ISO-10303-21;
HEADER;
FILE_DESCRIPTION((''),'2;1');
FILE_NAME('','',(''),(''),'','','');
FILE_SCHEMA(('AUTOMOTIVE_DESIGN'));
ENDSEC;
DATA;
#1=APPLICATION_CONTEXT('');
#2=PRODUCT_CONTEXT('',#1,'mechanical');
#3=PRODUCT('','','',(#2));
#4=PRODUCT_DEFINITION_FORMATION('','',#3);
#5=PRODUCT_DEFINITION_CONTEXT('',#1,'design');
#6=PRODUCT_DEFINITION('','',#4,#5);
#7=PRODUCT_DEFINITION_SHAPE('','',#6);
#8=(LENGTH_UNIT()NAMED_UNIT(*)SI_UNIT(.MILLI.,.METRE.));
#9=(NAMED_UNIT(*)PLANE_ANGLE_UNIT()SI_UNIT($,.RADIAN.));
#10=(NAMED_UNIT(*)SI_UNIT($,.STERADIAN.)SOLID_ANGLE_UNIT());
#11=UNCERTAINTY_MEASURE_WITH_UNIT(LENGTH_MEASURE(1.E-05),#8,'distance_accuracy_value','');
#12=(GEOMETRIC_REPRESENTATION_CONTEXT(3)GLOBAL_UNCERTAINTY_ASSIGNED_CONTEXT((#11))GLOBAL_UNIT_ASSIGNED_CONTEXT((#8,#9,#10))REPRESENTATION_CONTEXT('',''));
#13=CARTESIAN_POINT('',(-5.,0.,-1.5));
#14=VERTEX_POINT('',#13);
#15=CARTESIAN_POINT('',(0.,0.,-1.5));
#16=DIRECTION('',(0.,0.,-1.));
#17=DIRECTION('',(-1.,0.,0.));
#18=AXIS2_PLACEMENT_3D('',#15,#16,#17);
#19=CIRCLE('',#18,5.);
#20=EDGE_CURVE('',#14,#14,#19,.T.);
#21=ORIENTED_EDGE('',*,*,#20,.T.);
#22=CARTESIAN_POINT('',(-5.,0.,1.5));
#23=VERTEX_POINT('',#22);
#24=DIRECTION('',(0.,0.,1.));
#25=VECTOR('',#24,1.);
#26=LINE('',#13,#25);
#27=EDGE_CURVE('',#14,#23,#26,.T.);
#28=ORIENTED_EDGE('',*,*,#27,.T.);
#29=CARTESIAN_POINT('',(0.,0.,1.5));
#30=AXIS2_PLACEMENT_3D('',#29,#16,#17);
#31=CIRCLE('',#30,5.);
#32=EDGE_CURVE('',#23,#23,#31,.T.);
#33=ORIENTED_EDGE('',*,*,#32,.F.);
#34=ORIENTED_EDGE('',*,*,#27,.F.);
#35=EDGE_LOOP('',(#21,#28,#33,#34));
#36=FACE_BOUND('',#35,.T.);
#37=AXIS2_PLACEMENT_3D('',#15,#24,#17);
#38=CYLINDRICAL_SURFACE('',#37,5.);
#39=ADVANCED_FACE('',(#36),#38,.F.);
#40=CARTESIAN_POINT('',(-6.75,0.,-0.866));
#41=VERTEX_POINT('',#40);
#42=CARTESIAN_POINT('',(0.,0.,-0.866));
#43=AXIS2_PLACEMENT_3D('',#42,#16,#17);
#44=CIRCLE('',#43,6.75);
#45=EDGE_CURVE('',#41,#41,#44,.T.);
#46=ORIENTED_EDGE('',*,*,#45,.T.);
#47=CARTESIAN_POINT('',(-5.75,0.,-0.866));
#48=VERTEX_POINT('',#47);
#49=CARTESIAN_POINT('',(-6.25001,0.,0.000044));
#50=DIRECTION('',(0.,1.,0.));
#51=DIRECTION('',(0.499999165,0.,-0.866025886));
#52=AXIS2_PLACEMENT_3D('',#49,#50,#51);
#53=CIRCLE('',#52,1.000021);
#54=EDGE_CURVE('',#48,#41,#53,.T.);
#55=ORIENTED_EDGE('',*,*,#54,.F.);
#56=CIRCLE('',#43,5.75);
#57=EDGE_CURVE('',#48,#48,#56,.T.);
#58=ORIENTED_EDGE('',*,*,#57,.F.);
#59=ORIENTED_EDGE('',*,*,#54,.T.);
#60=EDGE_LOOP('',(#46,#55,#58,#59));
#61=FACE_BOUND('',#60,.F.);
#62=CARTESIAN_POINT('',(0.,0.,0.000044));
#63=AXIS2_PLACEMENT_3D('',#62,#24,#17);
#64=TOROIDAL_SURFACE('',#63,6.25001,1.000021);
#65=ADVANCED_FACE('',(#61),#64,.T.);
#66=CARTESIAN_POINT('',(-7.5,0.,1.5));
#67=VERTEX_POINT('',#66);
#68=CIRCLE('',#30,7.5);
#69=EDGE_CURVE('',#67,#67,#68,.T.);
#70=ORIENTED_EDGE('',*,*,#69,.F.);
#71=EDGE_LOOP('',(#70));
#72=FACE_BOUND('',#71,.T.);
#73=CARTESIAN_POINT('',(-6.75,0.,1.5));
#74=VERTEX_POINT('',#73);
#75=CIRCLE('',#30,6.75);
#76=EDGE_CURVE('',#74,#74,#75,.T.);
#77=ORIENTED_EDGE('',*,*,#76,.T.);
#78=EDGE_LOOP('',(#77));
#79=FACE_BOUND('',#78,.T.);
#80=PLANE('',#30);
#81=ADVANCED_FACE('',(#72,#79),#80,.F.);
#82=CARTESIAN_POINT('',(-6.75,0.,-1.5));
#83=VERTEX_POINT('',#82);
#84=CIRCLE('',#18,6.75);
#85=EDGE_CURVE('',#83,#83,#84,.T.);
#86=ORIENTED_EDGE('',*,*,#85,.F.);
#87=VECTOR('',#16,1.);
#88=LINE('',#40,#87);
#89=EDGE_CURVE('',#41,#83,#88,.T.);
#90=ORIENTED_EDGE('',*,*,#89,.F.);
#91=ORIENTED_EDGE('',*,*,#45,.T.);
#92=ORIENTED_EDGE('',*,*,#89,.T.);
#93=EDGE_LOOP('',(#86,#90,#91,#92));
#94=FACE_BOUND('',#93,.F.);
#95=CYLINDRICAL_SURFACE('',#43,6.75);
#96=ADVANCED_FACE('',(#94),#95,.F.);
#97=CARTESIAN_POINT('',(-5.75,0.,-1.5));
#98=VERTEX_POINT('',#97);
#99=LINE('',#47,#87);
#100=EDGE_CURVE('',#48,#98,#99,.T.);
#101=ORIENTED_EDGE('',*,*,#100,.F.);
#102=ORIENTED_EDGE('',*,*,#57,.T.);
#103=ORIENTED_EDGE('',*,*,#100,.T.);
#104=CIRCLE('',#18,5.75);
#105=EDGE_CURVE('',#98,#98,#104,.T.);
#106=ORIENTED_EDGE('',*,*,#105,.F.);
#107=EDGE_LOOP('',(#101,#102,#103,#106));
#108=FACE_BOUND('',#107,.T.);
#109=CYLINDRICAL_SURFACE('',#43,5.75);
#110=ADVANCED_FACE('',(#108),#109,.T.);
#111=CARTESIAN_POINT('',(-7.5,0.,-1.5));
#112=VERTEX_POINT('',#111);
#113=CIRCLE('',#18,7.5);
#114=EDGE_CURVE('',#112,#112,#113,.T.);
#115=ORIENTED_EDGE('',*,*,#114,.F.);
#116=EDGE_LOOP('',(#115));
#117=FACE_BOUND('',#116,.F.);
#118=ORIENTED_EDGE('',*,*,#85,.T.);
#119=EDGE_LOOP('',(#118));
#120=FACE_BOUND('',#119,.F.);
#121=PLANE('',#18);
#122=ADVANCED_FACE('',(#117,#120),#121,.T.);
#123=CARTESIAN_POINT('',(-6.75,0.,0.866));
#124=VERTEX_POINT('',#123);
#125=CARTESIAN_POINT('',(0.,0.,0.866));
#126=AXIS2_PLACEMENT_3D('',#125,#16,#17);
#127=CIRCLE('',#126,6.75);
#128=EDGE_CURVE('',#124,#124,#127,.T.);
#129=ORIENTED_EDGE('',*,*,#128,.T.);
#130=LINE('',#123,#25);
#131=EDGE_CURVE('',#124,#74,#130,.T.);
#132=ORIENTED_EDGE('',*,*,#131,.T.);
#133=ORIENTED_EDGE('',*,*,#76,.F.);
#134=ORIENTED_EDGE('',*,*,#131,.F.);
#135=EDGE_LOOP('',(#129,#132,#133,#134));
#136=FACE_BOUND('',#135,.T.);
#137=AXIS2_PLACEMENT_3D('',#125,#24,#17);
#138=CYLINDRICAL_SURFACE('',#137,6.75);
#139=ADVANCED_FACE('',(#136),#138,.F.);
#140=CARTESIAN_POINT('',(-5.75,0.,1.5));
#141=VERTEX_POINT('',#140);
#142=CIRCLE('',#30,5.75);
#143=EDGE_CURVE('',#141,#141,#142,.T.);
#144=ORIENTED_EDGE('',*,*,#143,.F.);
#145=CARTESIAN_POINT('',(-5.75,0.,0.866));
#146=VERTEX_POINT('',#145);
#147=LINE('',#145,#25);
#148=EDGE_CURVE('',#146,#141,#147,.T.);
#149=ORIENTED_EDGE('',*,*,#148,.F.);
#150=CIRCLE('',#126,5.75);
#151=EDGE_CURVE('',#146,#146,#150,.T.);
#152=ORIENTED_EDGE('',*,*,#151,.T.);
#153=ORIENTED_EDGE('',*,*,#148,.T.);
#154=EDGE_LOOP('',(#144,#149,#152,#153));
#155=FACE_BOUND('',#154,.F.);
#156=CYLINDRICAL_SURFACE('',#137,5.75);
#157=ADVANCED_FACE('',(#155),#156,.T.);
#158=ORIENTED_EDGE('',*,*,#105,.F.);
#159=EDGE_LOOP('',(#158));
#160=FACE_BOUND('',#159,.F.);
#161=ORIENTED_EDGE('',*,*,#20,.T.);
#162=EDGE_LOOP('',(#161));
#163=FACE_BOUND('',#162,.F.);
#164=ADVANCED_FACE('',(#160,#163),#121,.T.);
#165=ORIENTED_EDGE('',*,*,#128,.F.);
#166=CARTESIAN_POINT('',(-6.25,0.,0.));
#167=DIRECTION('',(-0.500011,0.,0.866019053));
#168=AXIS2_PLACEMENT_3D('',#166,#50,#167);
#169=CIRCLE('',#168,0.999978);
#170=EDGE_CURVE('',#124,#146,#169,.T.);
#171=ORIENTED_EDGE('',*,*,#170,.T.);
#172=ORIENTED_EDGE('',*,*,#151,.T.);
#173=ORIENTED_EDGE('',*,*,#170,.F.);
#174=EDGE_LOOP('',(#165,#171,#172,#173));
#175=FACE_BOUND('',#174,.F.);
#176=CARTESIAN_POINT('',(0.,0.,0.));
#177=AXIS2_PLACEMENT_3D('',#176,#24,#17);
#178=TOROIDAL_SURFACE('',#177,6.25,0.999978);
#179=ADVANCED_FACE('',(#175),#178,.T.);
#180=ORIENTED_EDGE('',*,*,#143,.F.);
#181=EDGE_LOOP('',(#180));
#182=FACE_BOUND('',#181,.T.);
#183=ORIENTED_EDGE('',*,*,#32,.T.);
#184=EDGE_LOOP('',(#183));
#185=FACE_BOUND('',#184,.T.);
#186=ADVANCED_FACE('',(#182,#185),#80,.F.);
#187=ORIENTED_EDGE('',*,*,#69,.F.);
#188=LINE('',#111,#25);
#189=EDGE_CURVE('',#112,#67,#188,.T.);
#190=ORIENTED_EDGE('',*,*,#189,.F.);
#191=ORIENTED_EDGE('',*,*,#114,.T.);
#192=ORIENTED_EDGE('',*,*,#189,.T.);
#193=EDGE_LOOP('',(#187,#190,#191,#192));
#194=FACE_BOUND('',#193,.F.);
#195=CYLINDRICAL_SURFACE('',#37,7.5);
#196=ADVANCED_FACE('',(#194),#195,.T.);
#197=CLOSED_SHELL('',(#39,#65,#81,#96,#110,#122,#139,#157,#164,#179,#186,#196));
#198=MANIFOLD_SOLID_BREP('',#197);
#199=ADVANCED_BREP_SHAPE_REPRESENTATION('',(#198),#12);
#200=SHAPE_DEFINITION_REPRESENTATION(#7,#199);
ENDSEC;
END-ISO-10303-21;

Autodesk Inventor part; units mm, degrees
ref_plane "YZ Plane" through (0, 0, 0) normal (1, 0, 0) x (0, 1, 0)
ref_plane "XZ Plane" through (0, 0, 0) normal (0, 1, 0) x (-1, 0, 0)
ref_plane "XY Plane" through (0, 0, 0) normal (0, 0, 1) x (1, 0, 0)
sketch "スケッチ1" plane through (0, 0, 0) normal (0, 1, 0) x (-1, 0, 0)
  line L0 (0, 0) -> (0, -112.7681) construction
  line L1 (0, -112.7681) -> (0, 117.0869) construction
  line L2 (0, -1.5) -> (5, -1.5) construction
  line L3 (5, -1.5) -> (5, 1.5)
  line L4 (0, 1.5) -> (5, 1.5) construction
  line L5 (7.5, -1.5) -> (7.5, 1.5)
  line L6 (7.5, -1.5) -> (5, 1.5) construction
  line L7 (5, -1.5) -> (7.5, 1.5) construction
  line L8 (7.116, -1.5) -> (5.384, 1.5) construction
  line L9 (5.384, -1.5) -> (7.116, 1.5) construction
  line L10 (6.25, 0) -> (6.25, 1.5) construction
  line L11 (6.75, -0.866) -> (6.75, -1.5)
  line L12 (5.75, -0.866) -> (5.75, -1.5)
  line L13 (6.75, 0.866) -> (6.75, 1.5)
  line L14 (5.75, 0.866) -> (5.75, 1.5)
  line L15 (5, 1.5) -> (5.75, 1.5)
  line L16 (6.75, 1.5) -> (7.5, 1.5)
  arc A0 (6.75, 0.866) -> (5.75, 0.866) centre (6.25, 0) ccw
  arc A1 (5.75, 0.866) -> (5.75, -0.866) centre (6.25, 0) ccw
  arc A2 (5.75, -0.866) -> (6.8902, -0.7682) centre (6.25, 0) ccw
  arc A3 (6.8902, -0.7682) -> (6.75, 0.866) centre (6.25, 0) ccw
  line L17 (5, -1.5) -> (5.75, -1.5)
  line L18 (6.75, -1.5) -> (7.5, -1.5)
  point P0 (6.25, 0)
  dimension "d0" = 5
  dimension "d1" = 1.5
  dimension "d2" = 1.5
  dimension "d3" = 7.5
  dimension "d6" = 30
  dimension "d7" = 30
  dimension "d11" = 1
revolve "回転2" add sketch "スケッチ1" angle 360 about axis through (0, 0, 0) along (0, 0, -1)
properties part number "ベアリング10.15" material "ステンレス鋼"
